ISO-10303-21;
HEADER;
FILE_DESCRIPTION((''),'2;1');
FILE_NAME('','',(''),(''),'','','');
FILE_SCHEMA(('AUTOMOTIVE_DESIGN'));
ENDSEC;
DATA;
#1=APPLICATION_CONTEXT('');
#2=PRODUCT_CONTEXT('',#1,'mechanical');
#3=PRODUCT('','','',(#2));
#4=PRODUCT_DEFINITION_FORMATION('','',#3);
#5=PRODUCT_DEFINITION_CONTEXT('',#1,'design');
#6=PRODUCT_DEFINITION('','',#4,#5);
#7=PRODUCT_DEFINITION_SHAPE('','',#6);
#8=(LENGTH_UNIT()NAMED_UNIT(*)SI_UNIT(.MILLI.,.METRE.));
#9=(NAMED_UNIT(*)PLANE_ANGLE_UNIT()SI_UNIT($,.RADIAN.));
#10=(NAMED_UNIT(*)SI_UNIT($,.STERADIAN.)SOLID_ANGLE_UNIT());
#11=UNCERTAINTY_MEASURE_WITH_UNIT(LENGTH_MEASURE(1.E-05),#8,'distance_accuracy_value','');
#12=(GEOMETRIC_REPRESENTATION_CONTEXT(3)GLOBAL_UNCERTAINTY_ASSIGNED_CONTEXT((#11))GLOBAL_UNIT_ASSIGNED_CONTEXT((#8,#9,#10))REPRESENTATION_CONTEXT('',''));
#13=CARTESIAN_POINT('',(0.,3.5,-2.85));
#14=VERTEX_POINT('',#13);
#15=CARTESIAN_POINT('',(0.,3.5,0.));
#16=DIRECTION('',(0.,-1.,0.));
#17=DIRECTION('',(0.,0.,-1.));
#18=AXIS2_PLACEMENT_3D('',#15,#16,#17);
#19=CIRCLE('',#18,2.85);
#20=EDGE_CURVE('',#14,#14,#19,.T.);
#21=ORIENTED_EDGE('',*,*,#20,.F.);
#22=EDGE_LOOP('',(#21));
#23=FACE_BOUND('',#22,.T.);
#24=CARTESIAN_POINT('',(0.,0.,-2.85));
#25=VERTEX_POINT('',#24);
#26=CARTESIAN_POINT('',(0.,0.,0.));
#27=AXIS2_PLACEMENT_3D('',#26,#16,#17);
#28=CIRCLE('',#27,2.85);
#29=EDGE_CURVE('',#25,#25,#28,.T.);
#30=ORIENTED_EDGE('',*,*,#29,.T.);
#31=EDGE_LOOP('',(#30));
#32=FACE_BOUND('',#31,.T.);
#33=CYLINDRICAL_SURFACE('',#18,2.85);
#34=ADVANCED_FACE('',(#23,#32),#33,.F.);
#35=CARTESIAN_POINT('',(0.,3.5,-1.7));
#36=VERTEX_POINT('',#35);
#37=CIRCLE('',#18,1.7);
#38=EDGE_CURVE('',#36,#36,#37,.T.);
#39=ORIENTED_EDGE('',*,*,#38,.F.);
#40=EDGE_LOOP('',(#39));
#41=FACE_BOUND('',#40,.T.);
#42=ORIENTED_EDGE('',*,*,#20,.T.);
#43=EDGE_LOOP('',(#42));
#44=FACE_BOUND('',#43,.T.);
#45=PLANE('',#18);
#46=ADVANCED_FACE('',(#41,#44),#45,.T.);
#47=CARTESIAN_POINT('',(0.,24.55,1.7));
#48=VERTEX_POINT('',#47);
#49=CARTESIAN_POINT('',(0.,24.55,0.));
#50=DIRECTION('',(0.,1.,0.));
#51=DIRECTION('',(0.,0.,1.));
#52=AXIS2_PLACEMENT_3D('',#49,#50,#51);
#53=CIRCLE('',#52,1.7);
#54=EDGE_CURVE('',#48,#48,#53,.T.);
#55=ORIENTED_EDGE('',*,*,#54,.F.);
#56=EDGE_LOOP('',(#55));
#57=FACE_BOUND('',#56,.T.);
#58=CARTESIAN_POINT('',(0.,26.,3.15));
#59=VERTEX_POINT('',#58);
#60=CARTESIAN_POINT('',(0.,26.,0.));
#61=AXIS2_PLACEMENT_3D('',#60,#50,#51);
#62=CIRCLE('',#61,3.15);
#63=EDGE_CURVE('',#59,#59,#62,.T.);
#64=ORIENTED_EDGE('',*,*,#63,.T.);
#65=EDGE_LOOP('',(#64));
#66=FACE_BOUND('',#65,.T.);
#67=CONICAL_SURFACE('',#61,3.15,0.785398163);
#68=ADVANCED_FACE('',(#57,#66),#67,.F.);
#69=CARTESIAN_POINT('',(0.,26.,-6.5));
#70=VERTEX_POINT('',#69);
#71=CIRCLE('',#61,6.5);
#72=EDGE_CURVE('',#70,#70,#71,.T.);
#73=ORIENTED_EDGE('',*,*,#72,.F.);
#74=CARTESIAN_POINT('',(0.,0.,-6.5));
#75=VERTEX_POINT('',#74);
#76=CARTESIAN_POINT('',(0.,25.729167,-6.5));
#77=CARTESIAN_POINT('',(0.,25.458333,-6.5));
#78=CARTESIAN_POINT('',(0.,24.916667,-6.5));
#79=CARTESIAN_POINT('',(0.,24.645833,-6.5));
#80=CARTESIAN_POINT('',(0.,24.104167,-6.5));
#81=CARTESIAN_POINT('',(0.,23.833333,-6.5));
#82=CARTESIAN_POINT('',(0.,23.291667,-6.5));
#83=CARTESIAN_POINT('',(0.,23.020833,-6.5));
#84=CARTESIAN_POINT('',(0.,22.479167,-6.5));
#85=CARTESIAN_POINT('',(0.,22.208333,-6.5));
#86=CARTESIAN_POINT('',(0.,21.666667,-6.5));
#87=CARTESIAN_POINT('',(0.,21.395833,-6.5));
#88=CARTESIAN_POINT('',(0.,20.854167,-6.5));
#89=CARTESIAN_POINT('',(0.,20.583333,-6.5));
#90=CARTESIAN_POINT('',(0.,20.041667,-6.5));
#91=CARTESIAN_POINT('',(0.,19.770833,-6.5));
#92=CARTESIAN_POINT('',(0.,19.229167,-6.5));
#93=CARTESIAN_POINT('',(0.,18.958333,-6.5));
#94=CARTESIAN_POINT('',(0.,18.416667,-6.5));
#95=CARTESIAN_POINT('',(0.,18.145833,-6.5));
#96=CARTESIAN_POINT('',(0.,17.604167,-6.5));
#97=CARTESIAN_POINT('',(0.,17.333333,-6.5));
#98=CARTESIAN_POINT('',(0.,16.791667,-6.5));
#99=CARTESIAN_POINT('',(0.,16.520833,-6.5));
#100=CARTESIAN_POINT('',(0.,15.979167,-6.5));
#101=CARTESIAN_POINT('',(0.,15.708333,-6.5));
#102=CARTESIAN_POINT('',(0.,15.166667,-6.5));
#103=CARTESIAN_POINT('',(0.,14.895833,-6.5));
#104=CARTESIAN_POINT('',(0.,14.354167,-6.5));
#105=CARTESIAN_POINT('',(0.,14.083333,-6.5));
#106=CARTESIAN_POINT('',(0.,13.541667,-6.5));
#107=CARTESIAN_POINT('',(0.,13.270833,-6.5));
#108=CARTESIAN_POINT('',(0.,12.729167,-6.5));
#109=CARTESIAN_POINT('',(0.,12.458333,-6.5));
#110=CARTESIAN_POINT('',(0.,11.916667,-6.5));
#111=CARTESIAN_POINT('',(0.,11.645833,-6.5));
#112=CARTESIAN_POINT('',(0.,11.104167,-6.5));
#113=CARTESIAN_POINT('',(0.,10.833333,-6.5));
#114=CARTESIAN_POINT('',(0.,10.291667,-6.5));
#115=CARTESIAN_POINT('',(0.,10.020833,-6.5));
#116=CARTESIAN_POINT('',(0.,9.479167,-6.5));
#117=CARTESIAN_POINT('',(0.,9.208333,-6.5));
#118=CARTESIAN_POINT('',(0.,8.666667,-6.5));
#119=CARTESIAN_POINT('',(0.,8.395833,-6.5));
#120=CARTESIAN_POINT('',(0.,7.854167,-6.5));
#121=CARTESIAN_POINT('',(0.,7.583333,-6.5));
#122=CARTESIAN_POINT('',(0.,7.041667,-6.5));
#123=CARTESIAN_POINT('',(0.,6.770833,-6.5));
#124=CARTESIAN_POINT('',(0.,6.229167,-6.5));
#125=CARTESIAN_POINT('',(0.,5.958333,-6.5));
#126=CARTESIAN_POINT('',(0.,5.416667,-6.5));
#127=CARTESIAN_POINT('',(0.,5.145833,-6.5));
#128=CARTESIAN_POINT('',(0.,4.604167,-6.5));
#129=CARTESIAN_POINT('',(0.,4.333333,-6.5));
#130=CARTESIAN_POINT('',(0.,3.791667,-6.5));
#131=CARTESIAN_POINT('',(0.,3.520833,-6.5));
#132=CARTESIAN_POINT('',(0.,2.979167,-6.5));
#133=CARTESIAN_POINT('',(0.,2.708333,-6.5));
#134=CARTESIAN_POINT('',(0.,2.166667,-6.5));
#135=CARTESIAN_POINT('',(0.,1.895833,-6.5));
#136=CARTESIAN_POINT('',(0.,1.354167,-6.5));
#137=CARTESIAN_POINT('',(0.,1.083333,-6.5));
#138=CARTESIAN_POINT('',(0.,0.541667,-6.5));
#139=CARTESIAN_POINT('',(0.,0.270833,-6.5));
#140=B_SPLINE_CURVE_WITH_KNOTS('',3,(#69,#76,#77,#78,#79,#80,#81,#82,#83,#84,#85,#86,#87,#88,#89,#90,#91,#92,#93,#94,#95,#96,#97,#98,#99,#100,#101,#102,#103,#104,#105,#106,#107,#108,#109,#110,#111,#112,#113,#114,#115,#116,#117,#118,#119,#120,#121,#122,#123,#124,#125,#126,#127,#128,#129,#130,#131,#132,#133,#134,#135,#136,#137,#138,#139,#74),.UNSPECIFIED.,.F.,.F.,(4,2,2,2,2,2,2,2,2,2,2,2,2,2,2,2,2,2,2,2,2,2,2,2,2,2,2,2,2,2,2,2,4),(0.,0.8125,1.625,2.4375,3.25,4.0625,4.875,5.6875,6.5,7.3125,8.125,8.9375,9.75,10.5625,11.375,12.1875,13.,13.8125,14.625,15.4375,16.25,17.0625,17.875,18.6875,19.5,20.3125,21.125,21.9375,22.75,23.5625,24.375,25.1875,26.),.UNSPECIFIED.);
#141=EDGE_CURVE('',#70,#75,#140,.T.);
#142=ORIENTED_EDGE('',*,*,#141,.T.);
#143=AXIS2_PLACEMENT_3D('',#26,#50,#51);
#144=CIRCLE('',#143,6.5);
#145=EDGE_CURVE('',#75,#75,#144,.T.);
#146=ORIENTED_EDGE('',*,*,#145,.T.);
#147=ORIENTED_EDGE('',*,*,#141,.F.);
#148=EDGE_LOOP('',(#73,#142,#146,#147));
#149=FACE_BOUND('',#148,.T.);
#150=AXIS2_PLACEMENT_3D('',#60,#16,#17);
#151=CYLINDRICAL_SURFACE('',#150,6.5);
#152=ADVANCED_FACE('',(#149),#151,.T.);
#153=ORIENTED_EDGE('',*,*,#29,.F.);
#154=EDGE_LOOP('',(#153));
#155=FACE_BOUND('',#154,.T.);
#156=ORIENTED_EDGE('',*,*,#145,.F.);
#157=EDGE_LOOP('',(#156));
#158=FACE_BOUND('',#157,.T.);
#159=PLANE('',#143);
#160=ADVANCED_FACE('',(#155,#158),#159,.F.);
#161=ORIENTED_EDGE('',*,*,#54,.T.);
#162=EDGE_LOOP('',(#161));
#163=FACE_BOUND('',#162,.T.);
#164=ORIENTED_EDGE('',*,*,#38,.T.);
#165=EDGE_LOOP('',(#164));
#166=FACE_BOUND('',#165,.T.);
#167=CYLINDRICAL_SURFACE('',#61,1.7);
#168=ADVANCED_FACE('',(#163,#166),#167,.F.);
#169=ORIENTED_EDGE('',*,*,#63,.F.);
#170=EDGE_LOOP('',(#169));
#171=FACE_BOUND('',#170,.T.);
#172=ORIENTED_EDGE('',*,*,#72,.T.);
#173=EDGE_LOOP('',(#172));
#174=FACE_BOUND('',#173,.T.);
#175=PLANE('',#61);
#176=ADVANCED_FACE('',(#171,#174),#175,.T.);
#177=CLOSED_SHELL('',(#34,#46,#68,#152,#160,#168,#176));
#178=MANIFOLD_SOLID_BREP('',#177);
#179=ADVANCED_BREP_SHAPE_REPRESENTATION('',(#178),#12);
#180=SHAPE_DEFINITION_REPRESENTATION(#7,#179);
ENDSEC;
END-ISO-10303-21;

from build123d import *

# Parameters (mm, degrees)
SKETCH_1_R                  = 6.5
EXTRUDE_1_DEPTH             = 26
SKETCH_2_R                  = 2.85
CUT_EXTRUDE_1_DEPTH         = 3.5
HOLE_WIZARD_M32_D           = 3.4
HOLE_WIZARD_M32_CSINK_D     = 6.3
HOLE_WIZARD_M32_CSINK_ANGLE = 90


with BuildPart() as part:
    # Эскиз1 → Бобышка-Вытянуть1 (new body)
    with BuildSketch(Plane(origin=(0, 0, 0), x_dir=(1, 0, 0), z_dir=(0, 1, 0))):
        with Locations(Location((0, 0, 0), (0, 0, 90))):
            Circle(SKETCH_1_R)
    extrude(amount=EXTRUDE_1_DEPTH)

    # Эскиз2 → Вырез-Вытянуть1 (cut)
    with BuildSketch(Plane.XZ):
        with Locations(Location((0, 0, 0), (0, 0, 270))):
            Circle(SKETCH_2_R)
    extrude(amount=-CUT_EXTRUDE_1_DEPTH, mode=Mode.SUBTRACT)

    # Зенковка для  винта с плоской головкой M32 (through all)
    with Locations(Plane(origin=(0, 26, 0), x_dir=(1, 0, 0), z_dir=(0, 1, 0))):
        with Locations((0, 0)):
            CounterSinkHole(HOLE_WIZARD_M32_D / 2, HOLE_WIZARD_M32_CSINK_D / 2, counter_sink_angle=HOLE_WIZARD_M32_CSINK_ANGLE)


solid = part.part
